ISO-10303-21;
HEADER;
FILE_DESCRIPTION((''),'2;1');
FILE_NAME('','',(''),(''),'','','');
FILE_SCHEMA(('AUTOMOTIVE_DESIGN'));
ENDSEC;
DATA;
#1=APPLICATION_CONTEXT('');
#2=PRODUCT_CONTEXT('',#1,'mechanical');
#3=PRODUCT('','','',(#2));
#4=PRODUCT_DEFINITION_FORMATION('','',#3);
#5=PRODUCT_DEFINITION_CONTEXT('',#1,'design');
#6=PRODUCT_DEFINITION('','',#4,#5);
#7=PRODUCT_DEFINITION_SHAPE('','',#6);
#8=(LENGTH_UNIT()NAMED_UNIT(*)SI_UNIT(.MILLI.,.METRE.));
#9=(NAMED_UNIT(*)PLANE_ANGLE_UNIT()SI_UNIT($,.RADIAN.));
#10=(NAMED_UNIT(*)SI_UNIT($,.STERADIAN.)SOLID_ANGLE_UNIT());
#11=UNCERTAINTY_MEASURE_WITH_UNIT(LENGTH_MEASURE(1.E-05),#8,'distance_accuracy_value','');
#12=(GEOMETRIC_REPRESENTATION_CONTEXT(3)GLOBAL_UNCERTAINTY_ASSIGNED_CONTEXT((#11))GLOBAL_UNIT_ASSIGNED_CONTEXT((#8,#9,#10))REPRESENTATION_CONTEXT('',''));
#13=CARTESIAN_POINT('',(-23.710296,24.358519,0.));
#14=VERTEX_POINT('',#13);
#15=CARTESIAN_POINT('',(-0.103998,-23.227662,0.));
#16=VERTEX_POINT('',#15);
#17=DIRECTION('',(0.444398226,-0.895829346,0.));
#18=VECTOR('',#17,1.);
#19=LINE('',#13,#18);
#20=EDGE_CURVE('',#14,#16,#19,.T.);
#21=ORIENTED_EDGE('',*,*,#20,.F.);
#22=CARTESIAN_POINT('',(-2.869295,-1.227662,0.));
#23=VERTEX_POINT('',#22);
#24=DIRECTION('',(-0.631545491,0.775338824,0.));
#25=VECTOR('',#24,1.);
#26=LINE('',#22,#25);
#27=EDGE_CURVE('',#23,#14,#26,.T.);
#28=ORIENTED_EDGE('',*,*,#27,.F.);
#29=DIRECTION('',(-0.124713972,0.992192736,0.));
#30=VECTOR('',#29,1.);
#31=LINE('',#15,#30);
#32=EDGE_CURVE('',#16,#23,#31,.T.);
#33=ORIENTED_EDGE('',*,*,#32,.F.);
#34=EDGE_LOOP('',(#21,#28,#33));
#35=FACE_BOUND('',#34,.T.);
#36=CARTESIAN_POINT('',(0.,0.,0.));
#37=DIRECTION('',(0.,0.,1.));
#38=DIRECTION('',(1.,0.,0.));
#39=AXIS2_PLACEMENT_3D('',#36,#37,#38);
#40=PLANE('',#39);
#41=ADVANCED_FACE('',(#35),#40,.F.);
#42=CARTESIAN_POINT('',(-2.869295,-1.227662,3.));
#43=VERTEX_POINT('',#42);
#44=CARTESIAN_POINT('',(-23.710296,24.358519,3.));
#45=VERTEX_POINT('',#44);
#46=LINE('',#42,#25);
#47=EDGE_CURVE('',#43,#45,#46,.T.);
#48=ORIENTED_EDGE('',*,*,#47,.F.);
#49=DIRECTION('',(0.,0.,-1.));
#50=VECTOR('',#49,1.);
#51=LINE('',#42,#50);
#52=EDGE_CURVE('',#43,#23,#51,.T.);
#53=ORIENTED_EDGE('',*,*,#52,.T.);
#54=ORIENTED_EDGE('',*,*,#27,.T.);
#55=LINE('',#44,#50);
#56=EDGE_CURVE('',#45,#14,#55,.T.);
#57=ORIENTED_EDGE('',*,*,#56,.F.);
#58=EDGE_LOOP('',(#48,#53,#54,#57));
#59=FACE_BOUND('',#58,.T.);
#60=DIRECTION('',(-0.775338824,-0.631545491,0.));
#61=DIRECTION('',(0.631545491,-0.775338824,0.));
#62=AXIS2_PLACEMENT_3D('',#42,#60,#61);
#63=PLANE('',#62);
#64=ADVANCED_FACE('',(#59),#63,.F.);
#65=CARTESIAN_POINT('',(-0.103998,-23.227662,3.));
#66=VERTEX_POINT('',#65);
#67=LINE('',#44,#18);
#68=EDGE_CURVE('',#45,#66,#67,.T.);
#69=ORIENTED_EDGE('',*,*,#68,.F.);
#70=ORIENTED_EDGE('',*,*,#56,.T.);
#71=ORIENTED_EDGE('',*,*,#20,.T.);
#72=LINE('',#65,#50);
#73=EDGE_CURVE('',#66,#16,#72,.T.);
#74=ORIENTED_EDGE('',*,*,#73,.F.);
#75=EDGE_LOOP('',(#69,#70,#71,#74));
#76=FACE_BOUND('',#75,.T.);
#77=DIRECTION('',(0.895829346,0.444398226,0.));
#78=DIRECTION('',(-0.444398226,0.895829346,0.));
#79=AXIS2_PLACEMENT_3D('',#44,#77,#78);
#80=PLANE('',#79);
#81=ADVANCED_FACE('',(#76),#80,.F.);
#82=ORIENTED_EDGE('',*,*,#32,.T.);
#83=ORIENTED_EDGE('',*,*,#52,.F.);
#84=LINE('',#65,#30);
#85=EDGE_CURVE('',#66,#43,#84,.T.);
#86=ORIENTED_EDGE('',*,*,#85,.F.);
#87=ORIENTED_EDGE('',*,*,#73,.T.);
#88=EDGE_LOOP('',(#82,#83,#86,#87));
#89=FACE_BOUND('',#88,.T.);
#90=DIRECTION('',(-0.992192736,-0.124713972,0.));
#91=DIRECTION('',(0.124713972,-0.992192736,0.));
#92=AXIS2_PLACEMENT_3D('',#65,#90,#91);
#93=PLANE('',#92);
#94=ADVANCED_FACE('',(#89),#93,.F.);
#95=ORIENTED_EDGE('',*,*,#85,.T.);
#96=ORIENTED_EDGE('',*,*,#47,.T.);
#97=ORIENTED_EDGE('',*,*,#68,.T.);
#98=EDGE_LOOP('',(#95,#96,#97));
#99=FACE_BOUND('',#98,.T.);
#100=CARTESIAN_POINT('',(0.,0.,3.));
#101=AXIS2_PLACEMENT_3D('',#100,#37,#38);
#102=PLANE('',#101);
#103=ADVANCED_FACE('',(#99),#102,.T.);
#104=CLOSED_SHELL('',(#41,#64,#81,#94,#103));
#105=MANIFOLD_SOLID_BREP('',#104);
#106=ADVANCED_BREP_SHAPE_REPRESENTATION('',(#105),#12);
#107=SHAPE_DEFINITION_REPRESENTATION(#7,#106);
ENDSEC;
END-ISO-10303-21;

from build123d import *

# Parameters (mm, degrees)
BOSS_EXTRU_1_DEPTH = 3


with BuildPart() as part:
    # Esquisse1 → Boss.-Extru.1 (new body)
    with BuildSketch(Plane.XY):
        Polygon((-0.103997956, -23.227661982), (-2.86929474, -1.227661982), (-23.710295944, 24.358519226), align=None)
    extrude(amount=BOSS_EXTRU_1_DEPTH)


solid = part.part
